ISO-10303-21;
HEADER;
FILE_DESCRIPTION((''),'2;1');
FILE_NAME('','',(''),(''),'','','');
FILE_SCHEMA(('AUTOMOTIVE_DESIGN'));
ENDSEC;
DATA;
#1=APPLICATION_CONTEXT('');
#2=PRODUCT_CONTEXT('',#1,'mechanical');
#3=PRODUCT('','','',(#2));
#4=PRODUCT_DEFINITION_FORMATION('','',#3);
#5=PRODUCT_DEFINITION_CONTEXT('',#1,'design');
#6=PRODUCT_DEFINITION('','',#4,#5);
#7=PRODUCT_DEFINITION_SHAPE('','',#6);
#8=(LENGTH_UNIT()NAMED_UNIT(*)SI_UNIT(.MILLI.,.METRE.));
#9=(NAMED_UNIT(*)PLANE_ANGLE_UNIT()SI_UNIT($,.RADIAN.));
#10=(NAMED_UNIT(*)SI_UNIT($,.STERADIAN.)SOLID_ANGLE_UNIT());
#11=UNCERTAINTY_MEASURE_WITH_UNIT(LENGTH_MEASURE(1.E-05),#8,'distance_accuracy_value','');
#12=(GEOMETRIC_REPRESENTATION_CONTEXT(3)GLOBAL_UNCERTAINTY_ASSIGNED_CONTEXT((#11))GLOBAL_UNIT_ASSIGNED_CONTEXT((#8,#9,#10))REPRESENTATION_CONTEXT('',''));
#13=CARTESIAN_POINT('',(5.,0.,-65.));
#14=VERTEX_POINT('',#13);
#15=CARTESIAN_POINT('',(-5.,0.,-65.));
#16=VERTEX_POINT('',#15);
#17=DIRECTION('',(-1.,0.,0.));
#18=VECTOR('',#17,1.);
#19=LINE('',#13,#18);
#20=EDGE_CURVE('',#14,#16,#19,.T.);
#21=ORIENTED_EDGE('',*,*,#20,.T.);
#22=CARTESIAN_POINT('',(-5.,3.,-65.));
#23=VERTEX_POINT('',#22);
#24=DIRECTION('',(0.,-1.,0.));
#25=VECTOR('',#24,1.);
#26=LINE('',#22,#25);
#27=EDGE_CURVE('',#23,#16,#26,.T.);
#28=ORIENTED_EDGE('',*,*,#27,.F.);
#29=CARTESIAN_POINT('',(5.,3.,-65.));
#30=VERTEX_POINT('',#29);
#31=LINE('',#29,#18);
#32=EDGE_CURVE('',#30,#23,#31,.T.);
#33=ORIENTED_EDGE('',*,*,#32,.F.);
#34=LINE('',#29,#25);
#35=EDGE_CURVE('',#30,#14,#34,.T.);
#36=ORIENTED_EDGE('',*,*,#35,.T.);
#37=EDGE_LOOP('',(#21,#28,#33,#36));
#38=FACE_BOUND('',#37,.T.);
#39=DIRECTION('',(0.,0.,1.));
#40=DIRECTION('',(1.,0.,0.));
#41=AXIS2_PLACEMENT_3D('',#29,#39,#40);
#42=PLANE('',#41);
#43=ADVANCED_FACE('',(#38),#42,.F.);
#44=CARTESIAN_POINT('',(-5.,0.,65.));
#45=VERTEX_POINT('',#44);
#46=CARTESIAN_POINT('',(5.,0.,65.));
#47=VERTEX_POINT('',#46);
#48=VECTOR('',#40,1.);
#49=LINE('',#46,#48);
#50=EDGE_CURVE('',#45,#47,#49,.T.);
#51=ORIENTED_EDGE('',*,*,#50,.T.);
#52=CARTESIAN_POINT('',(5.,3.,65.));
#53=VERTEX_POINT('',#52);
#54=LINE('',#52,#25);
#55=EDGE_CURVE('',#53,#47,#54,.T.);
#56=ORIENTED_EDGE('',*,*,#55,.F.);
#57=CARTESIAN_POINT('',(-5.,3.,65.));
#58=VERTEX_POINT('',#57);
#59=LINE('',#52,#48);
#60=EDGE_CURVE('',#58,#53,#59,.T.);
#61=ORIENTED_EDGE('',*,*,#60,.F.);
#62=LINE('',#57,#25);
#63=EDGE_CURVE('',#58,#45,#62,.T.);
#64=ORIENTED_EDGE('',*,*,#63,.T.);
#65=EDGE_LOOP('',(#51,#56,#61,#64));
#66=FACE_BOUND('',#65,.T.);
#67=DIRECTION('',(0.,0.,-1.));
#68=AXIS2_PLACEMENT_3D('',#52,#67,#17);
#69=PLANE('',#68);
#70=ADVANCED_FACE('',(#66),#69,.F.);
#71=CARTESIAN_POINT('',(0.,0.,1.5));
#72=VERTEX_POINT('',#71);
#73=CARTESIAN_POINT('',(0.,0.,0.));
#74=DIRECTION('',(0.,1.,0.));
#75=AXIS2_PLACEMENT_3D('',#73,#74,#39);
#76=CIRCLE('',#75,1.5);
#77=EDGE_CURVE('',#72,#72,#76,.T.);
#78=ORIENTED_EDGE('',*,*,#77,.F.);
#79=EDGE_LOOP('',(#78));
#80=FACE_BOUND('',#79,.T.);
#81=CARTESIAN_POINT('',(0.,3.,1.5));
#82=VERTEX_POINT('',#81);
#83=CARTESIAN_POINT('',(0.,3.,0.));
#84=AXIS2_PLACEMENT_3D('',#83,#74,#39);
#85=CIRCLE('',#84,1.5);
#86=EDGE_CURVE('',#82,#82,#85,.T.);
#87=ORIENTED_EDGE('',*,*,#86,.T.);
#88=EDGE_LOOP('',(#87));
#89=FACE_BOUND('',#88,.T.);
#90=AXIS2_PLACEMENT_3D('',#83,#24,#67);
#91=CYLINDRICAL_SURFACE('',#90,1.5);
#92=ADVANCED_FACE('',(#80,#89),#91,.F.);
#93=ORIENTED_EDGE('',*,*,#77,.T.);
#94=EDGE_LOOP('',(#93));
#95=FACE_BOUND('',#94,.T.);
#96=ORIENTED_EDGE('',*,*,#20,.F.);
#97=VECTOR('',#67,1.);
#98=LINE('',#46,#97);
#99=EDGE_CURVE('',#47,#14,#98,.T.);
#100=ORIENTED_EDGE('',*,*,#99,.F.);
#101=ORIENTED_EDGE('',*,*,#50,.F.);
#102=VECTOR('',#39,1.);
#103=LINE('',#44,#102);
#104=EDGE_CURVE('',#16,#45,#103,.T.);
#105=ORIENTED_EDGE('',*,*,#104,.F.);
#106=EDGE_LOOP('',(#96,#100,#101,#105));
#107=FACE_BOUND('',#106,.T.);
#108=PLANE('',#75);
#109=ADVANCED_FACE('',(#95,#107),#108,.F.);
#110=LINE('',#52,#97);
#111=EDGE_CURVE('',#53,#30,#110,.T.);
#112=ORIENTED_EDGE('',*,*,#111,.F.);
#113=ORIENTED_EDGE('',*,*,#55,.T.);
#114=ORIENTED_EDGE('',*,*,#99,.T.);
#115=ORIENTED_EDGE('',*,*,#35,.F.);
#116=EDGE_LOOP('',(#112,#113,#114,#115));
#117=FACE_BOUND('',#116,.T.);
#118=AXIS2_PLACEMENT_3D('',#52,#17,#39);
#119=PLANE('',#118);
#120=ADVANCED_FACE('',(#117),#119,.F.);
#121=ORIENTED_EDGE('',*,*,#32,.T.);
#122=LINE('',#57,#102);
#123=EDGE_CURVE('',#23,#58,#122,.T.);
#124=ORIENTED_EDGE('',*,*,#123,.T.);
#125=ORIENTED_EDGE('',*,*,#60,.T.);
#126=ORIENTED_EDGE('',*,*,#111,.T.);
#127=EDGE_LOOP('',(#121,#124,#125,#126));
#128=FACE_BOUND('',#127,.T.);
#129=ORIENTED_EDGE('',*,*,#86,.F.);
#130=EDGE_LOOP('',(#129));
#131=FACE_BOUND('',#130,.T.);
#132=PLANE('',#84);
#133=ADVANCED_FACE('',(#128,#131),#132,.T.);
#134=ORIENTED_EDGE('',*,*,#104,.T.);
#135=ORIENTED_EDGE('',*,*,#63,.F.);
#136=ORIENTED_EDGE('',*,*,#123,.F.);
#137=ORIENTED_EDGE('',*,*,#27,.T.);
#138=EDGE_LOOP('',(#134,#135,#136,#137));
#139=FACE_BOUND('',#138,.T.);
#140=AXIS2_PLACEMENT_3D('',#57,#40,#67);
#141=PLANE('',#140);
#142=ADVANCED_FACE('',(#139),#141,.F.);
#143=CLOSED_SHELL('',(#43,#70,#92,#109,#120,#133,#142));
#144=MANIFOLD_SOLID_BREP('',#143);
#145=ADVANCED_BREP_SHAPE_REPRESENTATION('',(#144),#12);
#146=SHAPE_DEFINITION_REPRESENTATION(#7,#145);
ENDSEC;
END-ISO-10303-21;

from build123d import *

# Parameters (mm, degrees)
SKETCH1_W           = 10
SKETCH1_H           = 130
SKETCH1_R           = 1.5
BOSS_EXTRUDE1_DEPTH = 3


with BuildPart() as part:
    # Sketch1 → Boss-Extrude1 (new body)
    with BuildSketch(Plane(origin=(0, 0, 0), x_dir=(1, 0, 0), z_dir=(0, 1, 0))):
        Rectangle(SKETCH1_W, SKETCH1_H)
        Circle(SKETCH1_R, mode=Mode.SUBTRACT)
    extrude(amount=BOSS_EXTRUDE1_DEPTH)


solid = part.part
